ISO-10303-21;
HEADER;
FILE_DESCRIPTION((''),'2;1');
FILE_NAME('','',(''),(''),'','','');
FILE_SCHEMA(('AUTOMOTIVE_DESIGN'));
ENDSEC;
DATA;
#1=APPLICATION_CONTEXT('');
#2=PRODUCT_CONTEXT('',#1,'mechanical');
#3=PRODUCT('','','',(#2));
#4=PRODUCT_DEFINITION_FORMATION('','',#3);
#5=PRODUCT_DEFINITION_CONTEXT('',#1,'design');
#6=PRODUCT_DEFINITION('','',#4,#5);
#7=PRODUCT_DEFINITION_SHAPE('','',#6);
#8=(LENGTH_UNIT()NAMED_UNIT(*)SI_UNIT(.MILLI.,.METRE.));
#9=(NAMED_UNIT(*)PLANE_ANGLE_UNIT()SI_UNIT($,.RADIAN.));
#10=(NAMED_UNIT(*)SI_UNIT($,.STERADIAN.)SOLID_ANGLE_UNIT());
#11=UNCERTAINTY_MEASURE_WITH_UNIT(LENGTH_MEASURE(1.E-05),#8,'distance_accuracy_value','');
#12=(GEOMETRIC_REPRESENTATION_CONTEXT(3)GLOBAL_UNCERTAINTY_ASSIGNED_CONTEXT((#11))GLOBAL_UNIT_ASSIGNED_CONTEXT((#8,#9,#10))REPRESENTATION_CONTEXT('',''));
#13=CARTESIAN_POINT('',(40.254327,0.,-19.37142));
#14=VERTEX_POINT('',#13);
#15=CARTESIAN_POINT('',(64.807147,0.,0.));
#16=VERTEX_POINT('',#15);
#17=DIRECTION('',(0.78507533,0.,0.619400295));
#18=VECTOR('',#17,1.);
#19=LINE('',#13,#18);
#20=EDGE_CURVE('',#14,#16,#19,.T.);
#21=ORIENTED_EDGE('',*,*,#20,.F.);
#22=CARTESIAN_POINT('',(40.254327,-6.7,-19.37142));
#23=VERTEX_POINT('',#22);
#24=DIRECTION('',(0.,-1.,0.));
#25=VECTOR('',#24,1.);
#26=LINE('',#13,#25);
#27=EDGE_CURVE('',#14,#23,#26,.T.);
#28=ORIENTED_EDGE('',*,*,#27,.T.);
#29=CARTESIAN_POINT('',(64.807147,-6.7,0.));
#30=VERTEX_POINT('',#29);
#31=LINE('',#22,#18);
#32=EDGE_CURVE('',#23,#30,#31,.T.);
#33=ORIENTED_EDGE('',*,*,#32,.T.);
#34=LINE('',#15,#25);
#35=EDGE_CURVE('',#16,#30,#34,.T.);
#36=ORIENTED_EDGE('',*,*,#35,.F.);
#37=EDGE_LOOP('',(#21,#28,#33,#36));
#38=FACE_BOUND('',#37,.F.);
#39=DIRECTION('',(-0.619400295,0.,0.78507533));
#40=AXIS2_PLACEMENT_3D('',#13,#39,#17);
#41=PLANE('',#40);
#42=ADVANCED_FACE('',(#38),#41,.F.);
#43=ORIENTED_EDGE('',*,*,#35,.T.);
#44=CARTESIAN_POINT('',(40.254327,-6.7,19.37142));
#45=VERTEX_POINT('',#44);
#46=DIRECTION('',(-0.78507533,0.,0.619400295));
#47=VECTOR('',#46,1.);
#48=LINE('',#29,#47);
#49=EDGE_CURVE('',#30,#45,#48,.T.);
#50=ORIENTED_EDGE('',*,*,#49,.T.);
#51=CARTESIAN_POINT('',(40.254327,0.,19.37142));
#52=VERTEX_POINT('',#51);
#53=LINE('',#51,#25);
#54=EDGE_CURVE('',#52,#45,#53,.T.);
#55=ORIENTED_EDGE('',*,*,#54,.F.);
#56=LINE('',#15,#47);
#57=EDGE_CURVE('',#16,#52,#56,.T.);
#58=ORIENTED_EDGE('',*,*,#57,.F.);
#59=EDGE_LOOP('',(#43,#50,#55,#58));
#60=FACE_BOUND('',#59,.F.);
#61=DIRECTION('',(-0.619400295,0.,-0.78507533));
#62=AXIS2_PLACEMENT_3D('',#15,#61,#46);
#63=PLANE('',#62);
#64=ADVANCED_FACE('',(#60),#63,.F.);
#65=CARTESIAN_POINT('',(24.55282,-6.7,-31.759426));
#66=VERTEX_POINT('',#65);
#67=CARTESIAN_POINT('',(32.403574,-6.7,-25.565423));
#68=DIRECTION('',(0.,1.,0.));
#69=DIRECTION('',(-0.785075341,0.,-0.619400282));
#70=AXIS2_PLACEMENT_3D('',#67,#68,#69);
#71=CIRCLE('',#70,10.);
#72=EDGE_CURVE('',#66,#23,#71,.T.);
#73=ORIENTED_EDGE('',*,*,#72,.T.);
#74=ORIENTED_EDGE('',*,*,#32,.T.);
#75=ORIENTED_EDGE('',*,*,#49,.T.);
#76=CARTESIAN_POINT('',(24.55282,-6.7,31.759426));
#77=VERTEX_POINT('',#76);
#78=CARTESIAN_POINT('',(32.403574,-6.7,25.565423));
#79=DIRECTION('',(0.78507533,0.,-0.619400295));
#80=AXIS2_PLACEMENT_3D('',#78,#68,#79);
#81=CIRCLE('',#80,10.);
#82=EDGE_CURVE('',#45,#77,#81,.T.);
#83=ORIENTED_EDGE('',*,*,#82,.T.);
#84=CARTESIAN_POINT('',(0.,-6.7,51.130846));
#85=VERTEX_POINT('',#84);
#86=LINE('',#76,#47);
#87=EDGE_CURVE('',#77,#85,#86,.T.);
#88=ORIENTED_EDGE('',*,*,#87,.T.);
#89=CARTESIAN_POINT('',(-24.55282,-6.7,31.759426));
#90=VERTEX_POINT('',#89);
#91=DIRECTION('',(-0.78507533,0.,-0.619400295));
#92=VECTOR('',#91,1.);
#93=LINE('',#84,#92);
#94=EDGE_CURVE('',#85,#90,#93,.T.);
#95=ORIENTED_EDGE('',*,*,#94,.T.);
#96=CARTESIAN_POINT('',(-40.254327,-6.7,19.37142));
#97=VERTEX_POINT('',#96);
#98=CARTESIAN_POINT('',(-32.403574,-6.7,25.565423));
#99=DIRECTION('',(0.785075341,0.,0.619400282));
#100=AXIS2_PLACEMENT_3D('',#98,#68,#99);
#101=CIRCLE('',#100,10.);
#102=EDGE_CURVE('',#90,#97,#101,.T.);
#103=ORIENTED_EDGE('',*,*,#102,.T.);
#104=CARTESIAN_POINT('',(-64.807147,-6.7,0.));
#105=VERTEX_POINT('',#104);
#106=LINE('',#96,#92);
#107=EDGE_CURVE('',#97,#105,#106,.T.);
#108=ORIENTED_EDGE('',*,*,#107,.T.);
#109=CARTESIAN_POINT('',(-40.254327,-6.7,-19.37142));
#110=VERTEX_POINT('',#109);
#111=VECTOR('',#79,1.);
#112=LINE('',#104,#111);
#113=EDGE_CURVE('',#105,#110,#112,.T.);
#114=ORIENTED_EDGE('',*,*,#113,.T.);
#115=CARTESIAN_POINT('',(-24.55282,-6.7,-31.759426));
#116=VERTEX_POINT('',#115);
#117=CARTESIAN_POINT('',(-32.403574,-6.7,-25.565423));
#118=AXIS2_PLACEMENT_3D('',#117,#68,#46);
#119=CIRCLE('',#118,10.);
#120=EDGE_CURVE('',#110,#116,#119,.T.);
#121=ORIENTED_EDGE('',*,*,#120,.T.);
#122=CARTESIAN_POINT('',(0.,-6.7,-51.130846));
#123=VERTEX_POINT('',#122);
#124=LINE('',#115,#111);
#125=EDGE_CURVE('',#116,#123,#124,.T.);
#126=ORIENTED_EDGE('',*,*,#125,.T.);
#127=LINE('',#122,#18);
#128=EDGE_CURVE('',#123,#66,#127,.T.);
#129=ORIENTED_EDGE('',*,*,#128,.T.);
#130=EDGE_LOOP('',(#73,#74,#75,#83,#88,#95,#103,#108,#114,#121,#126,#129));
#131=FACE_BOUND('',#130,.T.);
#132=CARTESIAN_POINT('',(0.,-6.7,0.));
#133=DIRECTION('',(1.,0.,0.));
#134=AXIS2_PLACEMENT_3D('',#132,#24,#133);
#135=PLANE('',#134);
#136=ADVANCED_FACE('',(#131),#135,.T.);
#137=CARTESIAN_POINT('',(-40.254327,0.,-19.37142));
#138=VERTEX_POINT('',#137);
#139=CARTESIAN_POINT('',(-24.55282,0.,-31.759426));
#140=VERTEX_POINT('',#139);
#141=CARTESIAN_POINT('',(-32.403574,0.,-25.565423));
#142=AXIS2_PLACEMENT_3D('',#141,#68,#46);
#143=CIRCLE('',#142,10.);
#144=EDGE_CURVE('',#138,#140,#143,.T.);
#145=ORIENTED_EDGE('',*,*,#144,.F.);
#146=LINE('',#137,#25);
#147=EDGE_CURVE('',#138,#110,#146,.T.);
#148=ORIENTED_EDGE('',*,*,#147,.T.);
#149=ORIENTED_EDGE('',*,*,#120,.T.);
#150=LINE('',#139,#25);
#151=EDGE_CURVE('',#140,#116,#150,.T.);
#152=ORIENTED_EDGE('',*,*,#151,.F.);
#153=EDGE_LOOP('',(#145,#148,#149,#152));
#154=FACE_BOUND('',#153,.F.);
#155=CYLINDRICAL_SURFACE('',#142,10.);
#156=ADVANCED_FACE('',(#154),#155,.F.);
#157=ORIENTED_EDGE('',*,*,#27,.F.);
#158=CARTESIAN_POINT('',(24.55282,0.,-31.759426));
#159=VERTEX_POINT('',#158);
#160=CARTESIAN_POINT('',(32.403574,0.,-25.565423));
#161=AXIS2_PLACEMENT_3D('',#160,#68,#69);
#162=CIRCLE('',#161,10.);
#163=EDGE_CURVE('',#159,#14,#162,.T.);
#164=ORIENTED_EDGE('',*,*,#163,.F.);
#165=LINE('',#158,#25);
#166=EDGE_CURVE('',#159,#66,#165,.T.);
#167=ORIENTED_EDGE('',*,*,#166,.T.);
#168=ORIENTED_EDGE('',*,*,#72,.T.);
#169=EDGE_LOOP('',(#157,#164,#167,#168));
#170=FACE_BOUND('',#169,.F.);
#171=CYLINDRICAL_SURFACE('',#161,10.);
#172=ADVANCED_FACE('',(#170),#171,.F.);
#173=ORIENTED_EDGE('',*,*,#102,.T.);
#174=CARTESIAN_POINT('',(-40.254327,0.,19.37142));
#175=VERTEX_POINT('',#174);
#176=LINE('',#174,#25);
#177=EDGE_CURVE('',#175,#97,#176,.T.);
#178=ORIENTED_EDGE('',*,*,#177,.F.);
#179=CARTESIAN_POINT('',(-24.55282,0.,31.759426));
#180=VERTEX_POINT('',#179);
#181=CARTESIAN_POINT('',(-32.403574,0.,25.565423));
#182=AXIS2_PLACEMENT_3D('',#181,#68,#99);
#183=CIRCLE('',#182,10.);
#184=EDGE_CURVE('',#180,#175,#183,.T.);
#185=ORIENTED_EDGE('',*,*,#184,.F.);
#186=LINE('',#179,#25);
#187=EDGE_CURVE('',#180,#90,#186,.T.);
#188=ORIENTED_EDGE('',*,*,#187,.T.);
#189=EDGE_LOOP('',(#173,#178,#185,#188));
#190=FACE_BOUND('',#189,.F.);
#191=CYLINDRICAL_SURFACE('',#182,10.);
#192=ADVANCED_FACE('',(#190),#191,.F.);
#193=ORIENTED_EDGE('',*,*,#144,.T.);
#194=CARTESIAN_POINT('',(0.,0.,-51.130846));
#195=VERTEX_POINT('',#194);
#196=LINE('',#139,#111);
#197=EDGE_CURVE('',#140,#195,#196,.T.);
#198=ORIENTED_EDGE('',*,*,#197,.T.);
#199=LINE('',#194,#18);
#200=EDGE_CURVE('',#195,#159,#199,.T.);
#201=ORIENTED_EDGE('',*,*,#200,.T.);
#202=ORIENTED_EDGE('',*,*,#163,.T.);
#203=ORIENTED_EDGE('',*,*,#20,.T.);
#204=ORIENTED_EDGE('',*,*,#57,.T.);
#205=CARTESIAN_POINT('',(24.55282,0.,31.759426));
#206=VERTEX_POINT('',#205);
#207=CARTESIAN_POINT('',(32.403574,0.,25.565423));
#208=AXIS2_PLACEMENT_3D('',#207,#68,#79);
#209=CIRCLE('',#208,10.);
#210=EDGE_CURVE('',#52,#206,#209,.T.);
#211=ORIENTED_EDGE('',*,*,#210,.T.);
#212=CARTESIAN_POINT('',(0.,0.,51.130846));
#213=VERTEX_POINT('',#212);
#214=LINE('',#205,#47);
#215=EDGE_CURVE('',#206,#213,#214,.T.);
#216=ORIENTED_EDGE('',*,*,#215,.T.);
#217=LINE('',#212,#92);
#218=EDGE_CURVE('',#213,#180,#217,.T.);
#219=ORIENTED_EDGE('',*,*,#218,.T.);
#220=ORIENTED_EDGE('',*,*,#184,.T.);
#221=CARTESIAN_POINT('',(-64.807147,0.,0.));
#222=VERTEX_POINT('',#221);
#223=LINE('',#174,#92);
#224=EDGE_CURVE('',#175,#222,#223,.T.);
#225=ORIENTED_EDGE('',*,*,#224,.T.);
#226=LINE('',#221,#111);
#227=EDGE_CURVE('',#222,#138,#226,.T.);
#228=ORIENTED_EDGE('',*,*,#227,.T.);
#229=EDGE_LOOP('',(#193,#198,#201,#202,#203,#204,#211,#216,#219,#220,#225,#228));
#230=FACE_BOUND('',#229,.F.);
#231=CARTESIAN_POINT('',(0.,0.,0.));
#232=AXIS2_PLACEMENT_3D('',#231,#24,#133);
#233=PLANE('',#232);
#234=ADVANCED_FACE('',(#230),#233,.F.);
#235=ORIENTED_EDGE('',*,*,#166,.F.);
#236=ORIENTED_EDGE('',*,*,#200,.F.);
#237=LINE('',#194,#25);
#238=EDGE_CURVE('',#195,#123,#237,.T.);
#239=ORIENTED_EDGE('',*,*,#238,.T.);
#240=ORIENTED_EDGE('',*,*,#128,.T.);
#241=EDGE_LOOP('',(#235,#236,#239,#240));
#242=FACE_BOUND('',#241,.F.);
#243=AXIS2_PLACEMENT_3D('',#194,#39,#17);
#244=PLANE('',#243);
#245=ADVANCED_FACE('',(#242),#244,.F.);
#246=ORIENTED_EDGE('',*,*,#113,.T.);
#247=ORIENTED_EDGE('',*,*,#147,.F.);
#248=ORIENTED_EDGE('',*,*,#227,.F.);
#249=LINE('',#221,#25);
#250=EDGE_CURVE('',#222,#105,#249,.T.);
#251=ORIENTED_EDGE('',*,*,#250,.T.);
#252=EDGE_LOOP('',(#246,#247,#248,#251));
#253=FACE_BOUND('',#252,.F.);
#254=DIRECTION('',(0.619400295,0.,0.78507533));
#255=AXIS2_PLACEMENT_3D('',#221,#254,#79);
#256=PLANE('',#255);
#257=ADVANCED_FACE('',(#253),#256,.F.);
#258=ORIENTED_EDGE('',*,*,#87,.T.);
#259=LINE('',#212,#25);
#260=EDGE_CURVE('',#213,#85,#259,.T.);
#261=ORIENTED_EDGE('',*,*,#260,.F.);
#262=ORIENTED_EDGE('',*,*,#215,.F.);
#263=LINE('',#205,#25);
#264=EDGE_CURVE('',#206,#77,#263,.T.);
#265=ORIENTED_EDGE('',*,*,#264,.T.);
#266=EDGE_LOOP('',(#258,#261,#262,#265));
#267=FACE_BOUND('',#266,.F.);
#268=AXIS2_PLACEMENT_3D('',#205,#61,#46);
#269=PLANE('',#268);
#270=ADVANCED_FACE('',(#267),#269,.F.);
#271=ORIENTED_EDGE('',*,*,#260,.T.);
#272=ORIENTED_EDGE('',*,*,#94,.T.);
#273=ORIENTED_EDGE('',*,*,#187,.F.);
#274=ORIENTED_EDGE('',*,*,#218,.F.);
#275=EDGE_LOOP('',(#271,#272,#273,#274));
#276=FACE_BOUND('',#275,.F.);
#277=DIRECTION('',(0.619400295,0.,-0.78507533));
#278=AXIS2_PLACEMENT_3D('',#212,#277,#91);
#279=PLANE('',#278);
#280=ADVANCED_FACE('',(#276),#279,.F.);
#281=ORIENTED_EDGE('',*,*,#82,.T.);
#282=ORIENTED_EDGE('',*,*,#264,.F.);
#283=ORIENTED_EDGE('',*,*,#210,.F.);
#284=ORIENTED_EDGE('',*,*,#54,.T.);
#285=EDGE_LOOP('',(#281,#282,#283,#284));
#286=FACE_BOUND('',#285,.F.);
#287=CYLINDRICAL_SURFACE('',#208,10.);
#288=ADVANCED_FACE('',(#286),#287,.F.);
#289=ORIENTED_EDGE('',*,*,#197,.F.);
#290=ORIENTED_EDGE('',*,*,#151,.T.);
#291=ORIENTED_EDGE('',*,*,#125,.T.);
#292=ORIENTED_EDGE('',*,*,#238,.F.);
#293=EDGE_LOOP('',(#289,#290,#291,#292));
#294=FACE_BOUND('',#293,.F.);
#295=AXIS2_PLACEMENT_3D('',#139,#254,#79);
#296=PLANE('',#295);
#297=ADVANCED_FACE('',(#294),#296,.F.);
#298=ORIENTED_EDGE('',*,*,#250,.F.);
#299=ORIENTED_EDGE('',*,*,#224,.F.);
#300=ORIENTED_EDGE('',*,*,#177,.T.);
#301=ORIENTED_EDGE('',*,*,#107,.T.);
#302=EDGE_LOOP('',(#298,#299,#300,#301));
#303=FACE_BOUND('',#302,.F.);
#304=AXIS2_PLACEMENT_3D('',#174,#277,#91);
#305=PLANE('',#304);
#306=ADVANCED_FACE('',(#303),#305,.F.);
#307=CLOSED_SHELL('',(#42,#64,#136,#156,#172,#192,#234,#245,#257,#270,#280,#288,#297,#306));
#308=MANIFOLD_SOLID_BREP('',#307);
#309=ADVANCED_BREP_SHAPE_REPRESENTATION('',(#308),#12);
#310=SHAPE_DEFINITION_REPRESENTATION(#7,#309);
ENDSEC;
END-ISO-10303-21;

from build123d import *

# Parameters (mm, degrees)
F1_DEPTH = 6.7


with BuildPart() as f1:
    # F0 (on Front) → F1 (new body)
    with BuildSketch(Plane.XZ):
        with BuildLine():
            Line((24.55282, 31.759426), (0, 51.130846))
            Line((0, 51.130846), (-24.55282, 31.759426))
            ThreePointArc((-24.55282, 31.759426), (-26.20957, 17.71467), (-40.254327, 19.37142))
            Line((-40.254327, 19.37142), (-64.807147, 0))
            Line((-64.807147, 0), (-40.254327, -19.37142))
            ThreePointArc((-40.254327, -19.37142), (-26.20957, -17.71467), (-24.55282, -31.759426))
            Line((-24.55282, -31.759426), (0, -51.130846))
            Line((0, -51.130846), (24.55282, -31.759426))
            ThreePointArc((24.55282, -31.759426), (26.20957, -17.71467), (40.254327, -19.37142))
            Line((40.254327, -19.37142), (64.807147, 0))
            Line((64.807147, 0), (40.254327, 19.37142))
            ThreePointArc((40.254327, 19.37142), (26.20957, 17.71467), (24.55282, 31.759426))
        make_face()
    extrude(amount=F1_DEPTH)


solid = f1.part
